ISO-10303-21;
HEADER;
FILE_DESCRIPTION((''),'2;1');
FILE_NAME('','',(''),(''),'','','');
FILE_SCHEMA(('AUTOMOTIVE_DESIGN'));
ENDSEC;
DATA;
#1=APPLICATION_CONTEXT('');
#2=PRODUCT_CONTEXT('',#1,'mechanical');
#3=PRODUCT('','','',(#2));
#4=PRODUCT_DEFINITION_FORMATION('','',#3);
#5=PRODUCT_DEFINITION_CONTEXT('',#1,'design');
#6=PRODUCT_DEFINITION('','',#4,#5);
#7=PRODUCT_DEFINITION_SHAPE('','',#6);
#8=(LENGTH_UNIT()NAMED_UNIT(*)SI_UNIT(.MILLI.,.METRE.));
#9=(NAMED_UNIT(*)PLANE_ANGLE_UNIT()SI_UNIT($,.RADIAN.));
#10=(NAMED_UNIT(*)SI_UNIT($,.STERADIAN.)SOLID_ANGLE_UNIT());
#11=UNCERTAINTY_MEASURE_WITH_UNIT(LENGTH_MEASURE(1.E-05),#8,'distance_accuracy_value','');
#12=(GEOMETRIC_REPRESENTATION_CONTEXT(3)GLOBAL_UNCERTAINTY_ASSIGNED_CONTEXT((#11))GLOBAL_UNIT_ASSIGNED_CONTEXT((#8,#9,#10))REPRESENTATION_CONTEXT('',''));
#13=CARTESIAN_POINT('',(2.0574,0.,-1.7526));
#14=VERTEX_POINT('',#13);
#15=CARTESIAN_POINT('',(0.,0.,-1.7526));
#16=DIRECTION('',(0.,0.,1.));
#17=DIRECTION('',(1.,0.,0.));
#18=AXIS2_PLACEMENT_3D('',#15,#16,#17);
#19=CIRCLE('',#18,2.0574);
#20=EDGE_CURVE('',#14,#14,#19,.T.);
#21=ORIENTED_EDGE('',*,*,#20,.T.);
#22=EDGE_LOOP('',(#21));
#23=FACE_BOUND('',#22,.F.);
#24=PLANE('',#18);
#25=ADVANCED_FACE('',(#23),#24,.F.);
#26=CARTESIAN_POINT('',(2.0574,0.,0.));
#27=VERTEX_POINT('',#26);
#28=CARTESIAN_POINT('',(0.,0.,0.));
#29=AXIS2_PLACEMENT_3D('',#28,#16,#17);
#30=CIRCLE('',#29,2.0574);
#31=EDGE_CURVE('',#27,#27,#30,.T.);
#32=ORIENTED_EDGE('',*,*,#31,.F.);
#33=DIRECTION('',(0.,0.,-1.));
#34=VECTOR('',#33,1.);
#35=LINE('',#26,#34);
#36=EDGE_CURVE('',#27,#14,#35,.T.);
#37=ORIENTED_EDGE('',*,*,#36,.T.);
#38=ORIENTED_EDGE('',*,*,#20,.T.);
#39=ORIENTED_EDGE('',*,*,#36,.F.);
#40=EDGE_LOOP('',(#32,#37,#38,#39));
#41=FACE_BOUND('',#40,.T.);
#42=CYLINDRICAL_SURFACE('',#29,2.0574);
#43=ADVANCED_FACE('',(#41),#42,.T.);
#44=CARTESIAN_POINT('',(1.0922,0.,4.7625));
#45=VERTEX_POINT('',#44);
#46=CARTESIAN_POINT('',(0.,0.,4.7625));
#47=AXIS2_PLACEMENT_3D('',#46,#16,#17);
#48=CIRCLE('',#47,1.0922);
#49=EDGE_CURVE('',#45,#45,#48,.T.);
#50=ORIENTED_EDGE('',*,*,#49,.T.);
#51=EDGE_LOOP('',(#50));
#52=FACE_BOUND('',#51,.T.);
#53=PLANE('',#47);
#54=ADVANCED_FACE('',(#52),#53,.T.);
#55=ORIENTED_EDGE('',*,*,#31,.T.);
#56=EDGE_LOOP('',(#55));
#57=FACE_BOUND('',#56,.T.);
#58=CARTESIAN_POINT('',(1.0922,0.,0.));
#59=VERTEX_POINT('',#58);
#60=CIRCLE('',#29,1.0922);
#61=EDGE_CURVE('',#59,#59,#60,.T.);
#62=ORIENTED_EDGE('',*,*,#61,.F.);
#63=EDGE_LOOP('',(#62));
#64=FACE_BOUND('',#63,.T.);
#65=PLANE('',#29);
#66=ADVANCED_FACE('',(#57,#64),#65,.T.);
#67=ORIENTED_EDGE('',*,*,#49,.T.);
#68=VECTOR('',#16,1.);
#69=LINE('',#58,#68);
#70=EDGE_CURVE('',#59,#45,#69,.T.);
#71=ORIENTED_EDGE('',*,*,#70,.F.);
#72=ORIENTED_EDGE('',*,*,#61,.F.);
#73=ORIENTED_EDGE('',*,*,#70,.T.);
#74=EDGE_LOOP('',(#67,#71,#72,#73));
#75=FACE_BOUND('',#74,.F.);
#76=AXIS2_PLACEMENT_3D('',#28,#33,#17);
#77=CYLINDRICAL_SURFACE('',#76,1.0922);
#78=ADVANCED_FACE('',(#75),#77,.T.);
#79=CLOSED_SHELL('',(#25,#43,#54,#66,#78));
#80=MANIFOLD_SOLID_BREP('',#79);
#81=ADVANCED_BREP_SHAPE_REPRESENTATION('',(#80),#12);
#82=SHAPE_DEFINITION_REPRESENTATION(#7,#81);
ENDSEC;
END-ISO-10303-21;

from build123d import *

# Parameters (mm, degrees)
F0_R      = 1.0922
F1_DEPTH  = 4.7625
F0_R_2    = 2.0574
F1_FACE_R = 1.0922
F2_DEPTH  = 1.7526


with BuildPart() as f1:
    # F0 (on Top) → F1 (new body)
    with BuildSketch(Plane.XY):
        Circle(F0_R)
    extrude(amount=F1_DEPTH)

    # F0 (on Top) + F1_face (on face) → F2 (join)
    with BuildSketch(Plane.XY):
        Circle(F0_R_2)
        Circle(F0_R, mode=Mode.SUBTRACT)
    with BuildSketch(Plane(origin=(0, 0, 0), x_dir=(1, 0, 0), z_dir=(0, 0, -1))):
        Circle(F1_FACE_R)
    extrude(amount=-F2_DEPTH, dir=(0, 0, 1))


solid = f1.part
